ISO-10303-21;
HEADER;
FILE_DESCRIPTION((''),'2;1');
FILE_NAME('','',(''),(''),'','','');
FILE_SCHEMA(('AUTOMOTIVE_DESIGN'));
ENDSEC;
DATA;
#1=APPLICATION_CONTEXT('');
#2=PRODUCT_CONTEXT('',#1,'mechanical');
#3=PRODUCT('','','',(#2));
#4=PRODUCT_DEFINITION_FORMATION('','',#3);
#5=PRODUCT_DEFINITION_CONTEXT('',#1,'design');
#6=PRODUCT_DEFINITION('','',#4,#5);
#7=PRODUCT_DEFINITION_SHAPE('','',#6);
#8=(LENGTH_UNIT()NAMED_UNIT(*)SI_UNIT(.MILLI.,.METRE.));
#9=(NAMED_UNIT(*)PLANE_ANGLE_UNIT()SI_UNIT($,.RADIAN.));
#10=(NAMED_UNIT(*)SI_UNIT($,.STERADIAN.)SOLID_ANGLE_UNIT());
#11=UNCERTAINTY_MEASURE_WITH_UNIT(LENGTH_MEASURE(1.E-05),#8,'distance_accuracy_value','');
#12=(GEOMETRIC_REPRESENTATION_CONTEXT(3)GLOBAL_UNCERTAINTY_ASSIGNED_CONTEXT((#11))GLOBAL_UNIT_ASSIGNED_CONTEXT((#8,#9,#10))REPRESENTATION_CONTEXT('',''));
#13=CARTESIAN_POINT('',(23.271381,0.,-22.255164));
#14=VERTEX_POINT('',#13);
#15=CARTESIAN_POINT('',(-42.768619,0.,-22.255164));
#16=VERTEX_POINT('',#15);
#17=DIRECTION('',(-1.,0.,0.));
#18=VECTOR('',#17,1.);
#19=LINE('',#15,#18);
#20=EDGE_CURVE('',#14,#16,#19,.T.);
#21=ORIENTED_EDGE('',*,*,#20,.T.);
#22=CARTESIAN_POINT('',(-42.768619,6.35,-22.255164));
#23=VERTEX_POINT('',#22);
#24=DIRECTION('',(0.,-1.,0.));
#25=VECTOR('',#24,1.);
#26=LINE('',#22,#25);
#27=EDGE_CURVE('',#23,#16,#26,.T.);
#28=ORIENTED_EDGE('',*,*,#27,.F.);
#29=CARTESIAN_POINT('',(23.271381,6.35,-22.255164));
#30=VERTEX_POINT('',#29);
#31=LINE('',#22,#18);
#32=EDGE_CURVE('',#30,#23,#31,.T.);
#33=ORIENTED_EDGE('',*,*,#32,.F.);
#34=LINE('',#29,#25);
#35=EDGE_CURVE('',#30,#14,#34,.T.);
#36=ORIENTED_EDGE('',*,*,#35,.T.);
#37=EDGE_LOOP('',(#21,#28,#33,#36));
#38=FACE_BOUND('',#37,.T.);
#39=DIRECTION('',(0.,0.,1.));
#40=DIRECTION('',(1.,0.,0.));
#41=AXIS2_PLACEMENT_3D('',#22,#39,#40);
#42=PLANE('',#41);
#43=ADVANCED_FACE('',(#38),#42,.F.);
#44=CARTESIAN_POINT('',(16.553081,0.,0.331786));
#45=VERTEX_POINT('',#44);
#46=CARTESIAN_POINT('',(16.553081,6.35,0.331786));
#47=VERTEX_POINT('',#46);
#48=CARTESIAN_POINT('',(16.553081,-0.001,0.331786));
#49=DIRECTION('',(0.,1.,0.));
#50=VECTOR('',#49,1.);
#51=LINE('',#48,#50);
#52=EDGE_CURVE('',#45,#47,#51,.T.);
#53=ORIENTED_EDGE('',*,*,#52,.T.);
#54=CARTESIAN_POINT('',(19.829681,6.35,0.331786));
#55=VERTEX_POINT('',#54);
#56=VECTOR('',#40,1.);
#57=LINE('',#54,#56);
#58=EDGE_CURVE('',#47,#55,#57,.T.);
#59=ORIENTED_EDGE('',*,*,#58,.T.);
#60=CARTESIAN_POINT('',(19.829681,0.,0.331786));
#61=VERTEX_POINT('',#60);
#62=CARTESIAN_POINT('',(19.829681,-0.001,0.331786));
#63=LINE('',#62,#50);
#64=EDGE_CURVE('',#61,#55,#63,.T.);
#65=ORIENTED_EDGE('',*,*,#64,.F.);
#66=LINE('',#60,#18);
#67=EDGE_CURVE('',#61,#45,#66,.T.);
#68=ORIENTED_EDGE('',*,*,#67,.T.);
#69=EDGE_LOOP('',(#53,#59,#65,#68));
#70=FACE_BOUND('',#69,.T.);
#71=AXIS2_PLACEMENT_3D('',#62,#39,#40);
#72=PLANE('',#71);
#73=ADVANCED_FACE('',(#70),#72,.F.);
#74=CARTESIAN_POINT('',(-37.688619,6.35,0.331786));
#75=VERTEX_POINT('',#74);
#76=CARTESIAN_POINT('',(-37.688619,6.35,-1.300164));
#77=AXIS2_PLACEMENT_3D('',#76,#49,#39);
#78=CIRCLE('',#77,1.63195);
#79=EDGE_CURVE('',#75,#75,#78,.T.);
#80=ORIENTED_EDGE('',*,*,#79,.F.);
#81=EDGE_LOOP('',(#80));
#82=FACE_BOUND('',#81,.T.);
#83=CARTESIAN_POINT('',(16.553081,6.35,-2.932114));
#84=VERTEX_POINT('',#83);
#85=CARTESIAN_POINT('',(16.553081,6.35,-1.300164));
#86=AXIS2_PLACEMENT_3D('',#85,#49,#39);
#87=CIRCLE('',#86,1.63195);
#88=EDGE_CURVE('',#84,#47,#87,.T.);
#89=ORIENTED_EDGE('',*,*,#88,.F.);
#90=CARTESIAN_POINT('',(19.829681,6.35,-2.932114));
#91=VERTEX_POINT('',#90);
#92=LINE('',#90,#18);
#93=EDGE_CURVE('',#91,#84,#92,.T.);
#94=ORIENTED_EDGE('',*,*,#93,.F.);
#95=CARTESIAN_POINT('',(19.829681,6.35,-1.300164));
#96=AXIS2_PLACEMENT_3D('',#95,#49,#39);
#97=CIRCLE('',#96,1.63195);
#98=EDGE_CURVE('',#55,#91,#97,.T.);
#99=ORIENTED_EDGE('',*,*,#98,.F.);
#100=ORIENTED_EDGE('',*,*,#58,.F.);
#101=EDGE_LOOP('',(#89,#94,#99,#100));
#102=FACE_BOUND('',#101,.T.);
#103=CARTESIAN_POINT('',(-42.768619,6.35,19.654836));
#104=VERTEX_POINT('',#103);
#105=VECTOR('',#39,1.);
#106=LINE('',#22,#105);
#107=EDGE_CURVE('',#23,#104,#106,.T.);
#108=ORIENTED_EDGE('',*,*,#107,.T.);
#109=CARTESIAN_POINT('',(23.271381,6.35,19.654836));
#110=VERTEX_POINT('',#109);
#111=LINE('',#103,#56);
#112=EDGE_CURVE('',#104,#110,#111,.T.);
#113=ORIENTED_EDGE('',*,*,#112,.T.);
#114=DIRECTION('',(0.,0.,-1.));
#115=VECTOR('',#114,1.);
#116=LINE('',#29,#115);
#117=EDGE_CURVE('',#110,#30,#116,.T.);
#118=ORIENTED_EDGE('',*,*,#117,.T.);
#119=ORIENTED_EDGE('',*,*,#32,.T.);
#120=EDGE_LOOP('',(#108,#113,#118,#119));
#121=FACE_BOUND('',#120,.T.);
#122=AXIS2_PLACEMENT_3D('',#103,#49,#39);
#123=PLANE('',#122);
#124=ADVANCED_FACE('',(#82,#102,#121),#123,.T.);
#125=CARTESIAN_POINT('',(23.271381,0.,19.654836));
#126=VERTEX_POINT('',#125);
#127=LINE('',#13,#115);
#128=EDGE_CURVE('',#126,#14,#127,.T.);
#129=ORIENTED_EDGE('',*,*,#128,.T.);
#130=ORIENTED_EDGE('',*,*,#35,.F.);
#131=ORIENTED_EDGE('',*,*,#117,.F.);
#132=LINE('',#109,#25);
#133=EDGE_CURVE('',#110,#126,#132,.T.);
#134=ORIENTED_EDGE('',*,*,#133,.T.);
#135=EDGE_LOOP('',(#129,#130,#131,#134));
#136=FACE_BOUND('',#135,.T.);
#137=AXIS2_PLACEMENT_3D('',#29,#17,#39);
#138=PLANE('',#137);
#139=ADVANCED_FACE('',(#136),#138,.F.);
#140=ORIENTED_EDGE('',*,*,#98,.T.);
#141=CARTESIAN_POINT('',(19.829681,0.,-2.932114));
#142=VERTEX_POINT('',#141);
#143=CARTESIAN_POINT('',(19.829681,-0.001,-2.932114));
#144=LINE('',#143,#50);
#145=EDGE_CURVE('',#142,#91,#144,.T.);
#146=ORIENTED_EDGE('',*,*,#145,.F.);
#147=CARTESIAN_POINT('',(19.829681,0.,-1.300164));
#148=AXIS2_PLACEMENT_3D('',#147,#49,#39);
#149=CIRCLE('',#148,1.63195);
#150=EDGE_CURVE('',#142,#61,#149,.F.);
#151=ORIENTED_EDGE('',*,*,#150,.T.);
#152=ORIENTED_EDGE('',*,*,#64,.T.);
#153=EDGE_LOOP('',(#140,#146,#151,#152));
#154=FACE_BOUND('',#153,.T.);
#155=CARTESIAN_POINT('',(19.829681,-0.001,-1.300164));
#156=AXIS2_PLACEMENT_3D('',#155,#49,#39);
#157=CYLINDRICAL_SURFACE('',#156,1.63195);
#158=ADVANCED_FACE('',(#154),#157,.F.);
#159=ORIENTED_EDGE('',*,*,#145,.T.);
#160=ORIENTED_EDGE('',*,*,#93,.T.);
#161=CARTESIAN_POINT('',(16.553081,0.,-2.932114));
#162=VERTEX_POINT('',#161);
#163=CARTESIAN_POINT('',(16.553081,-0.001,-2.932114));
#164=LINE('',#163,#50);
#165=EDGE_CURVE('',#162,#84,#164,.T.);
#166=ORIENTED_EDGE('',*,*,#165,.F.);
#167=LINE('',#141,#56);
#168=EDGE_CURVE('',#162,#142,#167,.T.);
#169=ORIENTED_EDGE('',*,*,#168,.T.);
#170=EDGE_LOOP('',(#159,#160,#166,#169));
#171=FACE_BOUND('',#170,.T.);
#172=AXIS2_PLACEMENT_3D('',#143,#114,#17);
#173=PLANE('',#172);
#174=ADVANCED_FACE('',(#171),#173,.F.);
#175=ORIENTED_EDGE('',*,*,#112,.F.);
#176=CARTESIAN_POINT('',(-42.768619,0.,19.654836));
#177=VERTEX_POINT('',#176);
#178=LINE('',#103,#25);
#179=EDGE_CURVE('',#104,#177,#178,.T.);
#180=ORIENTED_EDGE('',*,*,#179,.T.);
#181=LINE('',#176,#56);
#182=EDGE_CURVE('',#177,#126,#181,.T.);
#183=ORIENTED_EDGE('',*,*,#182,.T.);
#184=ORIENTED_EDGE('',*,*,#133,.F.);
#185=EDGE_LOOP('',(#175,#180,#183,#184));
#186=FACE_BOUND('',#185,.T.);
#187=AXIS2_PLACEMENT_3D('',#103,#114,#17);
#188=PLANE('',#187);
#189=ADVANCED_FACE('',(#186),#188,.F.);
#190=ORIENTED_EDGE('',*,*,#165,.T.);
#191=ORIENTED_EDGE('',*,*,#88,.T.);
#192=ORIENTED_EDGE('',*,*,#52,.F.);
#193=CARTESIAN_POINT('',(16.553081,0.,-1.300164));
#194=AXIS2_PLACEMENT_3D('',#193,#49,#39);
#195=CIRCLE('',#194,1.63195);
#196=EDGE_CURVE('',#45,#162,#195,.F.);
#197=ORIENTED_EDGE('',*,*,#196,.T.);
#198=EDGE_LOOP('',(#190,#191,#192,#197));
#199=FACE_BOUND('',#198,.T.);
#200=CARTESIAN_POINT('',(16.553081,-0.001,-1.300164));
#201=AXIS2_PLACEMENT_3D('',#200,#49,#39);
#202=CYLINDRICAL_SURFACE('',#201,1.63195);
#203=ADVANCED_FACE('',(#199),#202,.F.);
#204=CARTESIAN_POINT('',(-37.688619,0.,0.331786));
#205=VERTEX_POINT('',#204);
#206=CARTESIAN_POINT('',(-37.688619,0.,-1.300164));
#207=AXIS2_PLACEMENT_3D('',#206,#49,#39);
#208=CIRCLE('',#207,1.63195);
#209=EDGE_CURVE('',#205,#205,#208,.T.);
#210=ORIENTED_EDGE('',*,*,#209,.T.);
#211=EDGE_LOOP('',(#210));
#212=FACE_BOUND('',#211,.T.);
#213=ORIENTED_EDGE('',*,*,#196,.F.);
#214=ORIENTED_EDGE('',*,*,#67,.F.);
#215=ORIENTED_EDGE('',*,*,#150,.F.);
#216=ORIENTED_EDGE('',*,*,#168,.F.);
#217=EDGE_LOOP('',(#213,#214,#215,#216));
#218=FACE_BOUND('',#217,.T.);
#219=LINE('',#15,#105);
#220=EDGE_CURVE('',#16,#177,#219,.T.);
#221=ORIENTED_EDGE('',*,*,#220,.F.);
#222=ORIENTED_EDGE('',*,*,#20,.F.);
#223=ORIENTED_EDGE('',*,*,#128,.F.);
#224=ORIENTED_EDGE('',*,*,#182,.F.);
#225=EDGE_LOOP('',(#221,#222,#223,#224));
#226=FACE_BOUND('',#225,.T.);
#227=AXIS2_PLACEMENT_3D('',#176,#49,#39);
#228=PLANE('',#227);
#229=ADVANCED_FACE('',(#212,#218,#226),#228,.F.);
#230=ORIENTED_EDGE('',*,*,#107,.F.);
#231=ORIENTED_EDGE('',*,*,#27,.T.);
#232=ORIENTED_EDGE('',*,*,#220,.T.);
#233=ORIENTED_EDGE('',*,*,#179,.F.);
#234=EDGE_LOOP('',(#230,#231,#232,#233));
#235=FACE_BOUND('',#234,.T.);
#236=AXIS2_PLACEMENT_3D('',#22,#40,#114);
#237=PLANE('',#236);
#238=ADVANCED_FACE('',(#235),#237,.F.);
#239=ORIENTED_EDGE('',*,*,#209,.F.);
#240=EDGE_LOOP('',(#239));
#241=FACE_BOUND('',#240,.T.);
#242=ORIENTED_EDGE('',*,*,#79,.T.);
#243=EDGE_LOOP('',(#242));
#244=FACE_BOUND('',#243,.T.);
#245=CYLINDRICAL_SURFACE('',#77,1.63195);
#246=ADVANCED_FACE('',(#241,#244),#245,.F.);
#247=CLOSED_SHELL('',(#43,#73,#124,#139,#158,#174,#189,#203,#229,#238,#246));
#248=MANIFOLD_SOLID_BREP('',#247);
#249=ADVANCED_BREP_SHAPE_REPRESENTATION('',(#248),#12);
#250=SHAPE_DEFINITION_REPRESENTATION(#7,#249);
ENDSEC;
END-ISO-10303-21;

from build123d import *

# Parameters (mm, degrees)
SKETCH1_W                 = 66.04
SKETCH1_H                 = 41.91
BOSS_EXTRUDE1_DEPTH       = 6.35
F_5_CLEARANCE_HOLE1_D     = 3.2639
F_5_CLEARANCE_HOLE1_DEPTH = 12.7
F_5_CLEARANCE_HOLE1_TIP   = 0.980574487
CUT_EXTRUDE1_REACH        = 8.35


with BuildPart() as part:
    # Sketch1 → Boss-Extrude1 (new body)
    with BuildSketch(Plane(origin=(0, 0, 0), x_dir=(1, 0, 0), z_dir=(0, 1, 0))):
        with Locations((-9.748619051, 1.300163759)):
            Rectangle(SKETCH1_W, SKETCH1_H)
    extrude(amount=BOSS_EXTRUDE1_DEPTH)

    # #5 Clearance Hole1
    with Locations(Plane(origin=(0, 6.35, 0), x_dir=(-1, 0, 0), z_dir=(0, 1, 0))):
        with Locations((37.688619051, -1.300163759)):
            Hole(F_5_CLEARANCE_HOLE1_D / 2, depth=F_5_CLEARANCE_HOLE1_DEPTH)
            with Locations((0, 0, -(F_5_CLEARANCE_HOLE1_DEPTH + F_5_CLEARANCE_HOLE1_TIP / 2))):  # 118° drill point
                Cone(0, F_5_CLEARANCE_HOLE1_D / 2, F_5_CLEARANCE_HOLE1_TIP, mode=Mode.SUBTRACT)

    # Sketch13 → Cut-Extrude1 (cut, up to next)
    with BuildSketch(Plane(origin=(0, 6.35, 0), x_dir=(1, 0, 0), z_dir=(0, 1, 0)), mode=Mode.PRIVATE) as cut_extrude1_sk1:
        with BuildLine():
            Line((19.829680949, -0.331786241), (16.553080949, -0.331786241))
            ThreePointArc((16.553080949, -0.331786241), (14.921130949, 1.300163759), (16.553080949, 2.932113759))
            Line((16.553080949, 2.932113759), (19.829680949, 2.932113759))
            ThreePointArc((19.829680949, 2.932113759), (21.461630949, 1.300163759), (19.829680949, -0.331786241))
        make_face()
    cut_extrude1_tool1 = extrude(cut_extrude1_sk1.sketch, amount=-CUT_EXTRUDE1_REACH, mode=Mode.PRIVATE) & part.part
    add(cut_extrude1_tool1.solids().sort_by_distance((18.191381, 6.35, -1.300164))[0], mode=Mode.SUBTRACT)


solid = part.part
